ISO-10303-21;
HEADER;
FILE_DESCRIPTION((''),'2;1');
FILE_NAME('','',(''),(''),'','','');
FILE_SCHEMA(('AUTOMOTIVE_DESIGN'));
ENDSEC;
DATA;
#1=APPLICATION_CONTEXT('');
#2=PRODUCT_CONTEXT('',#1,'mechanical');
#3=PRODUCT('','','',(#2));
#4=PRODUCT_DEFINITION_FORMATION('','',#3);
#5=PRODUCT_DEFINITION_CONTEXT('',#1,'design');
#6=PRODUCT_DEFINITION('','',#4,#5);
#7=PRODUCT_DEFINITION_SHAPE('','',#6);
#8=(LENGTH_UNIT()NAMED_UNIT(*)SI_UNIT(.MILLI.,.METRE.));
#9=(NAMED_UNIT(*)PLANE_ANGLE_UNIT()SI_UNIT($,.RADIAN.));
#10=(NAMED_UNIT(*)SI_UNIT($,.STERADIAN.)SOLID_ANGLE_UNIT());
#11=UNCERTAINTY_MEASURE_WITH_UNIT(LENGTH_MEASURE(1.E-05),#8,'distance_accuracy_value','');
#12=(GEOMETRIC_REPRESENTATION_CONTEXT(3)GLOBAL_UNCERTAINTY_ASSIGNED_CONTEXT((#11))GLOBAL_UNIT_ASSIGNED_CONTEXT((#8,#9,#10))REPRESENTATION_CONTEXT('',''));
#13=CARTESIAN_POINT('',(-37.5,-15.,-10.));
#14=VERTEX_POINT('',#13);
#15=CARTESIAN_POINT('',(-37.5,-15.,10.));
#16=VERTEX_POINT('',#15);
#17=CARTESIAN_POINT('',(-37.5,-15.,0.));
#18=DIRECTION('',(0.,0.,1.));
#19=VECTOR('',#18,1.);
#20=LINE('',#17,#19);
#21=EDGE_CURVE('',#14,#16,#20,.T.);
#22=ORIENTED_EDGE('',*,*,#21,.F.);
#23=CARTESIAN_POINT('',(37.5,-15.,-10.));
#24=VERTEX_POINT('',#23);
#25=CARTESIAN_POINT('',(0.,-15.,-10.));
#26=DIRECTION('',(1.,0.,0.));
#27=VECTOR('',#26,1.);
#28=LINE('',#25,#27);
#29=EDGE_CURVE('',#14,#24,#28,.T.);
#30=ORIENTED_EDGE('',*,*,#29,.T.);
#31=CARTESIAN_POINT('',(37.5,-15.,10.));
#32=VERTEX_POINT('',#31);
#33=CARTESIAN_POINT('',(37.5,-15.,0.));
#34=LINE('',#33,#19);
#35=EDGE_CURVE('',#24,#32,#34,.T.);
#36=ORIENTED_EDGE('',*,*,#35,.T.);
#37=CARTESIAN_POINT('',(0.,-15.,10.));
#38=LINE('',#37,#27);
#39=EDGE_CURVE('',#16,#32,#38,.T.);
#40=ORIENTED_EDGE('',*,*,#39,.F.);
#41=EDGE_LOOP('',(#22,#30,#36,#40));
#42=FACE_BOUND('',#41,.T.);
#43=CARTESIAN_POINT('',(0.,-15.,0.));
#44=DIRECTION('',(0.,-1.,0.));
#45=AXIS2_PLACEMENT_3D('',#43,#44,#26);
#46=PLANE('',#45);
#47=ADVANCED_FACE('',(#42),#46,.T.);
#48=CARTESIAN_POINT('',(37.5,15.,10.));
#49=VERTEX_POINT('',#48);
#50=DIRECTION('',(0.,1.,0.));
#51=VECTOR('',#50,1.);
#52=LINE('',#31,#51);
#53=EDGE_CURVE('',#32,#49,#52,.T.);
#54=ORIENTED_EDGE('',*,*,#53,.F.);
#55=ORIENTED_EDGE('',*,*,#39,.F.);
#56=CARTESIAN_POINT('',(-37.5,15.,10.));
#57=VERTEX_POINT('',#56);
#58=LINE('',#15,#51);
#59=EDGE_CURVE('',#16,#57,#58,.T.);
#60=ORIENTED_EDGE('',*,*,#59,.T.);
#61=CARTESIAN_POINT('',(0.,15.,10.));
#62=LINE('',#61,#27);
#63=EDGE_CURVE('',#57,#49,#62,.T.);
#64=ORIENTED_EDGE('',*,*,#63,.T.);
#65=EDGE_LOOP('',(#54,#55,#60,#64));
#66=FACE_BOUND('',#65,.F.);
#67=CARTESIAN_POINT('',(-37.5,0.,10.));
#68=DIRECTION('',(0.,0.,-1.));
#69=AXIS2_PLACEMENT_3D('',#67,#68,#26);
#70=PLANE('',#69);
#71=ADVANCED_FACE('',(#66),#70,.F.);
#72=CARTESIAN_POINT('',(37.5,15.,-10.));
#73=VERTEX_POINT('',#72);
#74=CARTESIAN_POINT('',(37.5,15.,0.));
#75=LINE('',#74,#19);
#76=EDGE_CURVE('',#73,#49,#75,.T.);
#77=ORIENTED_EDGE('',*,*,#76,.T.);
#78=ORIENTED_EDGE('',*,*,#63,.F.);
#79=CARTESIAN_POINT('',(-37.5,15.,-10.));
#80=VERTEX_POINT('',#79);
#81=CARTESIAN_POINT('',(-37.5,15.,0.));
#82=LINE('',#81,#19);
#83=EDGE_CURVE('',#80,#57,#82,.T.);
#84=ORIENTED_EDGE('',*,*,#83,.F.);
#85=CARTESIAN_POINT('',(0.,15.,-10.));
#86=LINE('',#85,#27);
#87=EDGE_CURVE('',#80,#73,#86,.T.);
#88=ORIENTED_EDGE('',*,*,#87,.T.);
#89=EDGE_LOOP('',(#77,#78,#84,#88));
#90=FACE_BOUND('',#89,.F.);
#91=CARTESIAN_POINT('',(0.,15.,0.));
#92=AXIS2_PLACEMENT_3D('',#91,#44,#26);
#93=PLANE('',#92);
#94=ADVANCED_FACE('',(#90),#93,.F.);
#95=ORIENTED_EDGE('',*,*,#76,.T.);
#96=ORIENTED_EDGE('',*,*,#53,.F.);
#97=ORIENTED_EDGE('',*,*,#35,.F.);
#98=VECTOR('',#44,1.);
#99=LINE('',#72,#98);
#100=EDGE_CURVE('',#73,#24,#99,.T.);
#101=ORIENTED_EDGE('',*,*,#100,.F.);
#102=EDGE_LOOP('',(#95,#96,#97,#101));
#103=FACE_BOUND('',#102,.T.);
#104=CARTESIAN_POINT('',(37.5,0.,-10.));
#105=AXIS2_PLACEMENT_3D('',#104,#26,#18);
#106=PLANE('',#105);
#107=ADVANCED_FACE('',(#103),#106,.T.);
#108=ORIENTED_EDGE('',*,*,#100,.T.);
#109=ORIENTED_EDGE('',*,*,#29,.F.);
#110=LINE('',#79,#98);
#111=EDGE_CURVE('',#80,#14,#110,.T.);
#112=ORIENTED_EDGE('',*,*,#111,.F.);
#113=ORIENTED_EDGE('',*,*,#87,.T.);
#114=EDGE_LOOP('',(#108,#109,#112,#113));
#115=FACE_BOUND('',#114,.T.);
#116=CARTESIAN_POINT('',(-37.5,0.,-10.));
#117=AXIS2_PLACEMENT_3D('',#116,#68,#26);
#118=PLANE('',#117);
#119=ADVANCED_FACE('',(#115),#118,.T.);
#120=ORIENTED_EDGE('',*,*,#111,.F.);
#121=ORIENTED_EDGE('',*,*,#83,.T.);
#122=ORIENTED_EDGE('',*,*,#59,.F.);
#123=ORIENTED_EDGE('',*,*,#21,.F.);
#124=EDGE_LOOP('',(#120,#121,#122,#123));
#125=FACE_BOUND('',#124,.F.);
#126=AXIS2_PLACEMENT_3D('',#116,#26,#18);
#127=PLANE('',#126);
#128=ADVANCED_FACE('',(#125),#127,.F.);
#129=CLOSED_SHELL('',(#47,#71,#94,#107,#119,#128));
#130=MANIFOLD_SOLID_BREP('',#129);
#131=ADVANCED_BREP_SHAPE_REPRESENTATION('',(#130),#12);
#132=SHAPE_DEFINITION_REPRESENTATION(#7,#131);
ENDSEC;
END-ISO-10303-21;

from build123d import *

# Parameters (mm, degrees)
SKETCH_W       = 75
SKETCH_H       = 20
PAD_DEPTH      = 15
PAD_DEPTH_BACK = 15


with BuildPart() as part:
    # Sketch → Pad (new body, two sides)
    with BuildSketch(Plane.XZ) as pad_sk:
        Rectangle(SKETCH_W, SKETCH_H)
    extrude(amount=PAD_DEPTH)
    extrude(pad_sk.sketch, amount=-PAD_DEPTH_BACK)


solid = part.part
